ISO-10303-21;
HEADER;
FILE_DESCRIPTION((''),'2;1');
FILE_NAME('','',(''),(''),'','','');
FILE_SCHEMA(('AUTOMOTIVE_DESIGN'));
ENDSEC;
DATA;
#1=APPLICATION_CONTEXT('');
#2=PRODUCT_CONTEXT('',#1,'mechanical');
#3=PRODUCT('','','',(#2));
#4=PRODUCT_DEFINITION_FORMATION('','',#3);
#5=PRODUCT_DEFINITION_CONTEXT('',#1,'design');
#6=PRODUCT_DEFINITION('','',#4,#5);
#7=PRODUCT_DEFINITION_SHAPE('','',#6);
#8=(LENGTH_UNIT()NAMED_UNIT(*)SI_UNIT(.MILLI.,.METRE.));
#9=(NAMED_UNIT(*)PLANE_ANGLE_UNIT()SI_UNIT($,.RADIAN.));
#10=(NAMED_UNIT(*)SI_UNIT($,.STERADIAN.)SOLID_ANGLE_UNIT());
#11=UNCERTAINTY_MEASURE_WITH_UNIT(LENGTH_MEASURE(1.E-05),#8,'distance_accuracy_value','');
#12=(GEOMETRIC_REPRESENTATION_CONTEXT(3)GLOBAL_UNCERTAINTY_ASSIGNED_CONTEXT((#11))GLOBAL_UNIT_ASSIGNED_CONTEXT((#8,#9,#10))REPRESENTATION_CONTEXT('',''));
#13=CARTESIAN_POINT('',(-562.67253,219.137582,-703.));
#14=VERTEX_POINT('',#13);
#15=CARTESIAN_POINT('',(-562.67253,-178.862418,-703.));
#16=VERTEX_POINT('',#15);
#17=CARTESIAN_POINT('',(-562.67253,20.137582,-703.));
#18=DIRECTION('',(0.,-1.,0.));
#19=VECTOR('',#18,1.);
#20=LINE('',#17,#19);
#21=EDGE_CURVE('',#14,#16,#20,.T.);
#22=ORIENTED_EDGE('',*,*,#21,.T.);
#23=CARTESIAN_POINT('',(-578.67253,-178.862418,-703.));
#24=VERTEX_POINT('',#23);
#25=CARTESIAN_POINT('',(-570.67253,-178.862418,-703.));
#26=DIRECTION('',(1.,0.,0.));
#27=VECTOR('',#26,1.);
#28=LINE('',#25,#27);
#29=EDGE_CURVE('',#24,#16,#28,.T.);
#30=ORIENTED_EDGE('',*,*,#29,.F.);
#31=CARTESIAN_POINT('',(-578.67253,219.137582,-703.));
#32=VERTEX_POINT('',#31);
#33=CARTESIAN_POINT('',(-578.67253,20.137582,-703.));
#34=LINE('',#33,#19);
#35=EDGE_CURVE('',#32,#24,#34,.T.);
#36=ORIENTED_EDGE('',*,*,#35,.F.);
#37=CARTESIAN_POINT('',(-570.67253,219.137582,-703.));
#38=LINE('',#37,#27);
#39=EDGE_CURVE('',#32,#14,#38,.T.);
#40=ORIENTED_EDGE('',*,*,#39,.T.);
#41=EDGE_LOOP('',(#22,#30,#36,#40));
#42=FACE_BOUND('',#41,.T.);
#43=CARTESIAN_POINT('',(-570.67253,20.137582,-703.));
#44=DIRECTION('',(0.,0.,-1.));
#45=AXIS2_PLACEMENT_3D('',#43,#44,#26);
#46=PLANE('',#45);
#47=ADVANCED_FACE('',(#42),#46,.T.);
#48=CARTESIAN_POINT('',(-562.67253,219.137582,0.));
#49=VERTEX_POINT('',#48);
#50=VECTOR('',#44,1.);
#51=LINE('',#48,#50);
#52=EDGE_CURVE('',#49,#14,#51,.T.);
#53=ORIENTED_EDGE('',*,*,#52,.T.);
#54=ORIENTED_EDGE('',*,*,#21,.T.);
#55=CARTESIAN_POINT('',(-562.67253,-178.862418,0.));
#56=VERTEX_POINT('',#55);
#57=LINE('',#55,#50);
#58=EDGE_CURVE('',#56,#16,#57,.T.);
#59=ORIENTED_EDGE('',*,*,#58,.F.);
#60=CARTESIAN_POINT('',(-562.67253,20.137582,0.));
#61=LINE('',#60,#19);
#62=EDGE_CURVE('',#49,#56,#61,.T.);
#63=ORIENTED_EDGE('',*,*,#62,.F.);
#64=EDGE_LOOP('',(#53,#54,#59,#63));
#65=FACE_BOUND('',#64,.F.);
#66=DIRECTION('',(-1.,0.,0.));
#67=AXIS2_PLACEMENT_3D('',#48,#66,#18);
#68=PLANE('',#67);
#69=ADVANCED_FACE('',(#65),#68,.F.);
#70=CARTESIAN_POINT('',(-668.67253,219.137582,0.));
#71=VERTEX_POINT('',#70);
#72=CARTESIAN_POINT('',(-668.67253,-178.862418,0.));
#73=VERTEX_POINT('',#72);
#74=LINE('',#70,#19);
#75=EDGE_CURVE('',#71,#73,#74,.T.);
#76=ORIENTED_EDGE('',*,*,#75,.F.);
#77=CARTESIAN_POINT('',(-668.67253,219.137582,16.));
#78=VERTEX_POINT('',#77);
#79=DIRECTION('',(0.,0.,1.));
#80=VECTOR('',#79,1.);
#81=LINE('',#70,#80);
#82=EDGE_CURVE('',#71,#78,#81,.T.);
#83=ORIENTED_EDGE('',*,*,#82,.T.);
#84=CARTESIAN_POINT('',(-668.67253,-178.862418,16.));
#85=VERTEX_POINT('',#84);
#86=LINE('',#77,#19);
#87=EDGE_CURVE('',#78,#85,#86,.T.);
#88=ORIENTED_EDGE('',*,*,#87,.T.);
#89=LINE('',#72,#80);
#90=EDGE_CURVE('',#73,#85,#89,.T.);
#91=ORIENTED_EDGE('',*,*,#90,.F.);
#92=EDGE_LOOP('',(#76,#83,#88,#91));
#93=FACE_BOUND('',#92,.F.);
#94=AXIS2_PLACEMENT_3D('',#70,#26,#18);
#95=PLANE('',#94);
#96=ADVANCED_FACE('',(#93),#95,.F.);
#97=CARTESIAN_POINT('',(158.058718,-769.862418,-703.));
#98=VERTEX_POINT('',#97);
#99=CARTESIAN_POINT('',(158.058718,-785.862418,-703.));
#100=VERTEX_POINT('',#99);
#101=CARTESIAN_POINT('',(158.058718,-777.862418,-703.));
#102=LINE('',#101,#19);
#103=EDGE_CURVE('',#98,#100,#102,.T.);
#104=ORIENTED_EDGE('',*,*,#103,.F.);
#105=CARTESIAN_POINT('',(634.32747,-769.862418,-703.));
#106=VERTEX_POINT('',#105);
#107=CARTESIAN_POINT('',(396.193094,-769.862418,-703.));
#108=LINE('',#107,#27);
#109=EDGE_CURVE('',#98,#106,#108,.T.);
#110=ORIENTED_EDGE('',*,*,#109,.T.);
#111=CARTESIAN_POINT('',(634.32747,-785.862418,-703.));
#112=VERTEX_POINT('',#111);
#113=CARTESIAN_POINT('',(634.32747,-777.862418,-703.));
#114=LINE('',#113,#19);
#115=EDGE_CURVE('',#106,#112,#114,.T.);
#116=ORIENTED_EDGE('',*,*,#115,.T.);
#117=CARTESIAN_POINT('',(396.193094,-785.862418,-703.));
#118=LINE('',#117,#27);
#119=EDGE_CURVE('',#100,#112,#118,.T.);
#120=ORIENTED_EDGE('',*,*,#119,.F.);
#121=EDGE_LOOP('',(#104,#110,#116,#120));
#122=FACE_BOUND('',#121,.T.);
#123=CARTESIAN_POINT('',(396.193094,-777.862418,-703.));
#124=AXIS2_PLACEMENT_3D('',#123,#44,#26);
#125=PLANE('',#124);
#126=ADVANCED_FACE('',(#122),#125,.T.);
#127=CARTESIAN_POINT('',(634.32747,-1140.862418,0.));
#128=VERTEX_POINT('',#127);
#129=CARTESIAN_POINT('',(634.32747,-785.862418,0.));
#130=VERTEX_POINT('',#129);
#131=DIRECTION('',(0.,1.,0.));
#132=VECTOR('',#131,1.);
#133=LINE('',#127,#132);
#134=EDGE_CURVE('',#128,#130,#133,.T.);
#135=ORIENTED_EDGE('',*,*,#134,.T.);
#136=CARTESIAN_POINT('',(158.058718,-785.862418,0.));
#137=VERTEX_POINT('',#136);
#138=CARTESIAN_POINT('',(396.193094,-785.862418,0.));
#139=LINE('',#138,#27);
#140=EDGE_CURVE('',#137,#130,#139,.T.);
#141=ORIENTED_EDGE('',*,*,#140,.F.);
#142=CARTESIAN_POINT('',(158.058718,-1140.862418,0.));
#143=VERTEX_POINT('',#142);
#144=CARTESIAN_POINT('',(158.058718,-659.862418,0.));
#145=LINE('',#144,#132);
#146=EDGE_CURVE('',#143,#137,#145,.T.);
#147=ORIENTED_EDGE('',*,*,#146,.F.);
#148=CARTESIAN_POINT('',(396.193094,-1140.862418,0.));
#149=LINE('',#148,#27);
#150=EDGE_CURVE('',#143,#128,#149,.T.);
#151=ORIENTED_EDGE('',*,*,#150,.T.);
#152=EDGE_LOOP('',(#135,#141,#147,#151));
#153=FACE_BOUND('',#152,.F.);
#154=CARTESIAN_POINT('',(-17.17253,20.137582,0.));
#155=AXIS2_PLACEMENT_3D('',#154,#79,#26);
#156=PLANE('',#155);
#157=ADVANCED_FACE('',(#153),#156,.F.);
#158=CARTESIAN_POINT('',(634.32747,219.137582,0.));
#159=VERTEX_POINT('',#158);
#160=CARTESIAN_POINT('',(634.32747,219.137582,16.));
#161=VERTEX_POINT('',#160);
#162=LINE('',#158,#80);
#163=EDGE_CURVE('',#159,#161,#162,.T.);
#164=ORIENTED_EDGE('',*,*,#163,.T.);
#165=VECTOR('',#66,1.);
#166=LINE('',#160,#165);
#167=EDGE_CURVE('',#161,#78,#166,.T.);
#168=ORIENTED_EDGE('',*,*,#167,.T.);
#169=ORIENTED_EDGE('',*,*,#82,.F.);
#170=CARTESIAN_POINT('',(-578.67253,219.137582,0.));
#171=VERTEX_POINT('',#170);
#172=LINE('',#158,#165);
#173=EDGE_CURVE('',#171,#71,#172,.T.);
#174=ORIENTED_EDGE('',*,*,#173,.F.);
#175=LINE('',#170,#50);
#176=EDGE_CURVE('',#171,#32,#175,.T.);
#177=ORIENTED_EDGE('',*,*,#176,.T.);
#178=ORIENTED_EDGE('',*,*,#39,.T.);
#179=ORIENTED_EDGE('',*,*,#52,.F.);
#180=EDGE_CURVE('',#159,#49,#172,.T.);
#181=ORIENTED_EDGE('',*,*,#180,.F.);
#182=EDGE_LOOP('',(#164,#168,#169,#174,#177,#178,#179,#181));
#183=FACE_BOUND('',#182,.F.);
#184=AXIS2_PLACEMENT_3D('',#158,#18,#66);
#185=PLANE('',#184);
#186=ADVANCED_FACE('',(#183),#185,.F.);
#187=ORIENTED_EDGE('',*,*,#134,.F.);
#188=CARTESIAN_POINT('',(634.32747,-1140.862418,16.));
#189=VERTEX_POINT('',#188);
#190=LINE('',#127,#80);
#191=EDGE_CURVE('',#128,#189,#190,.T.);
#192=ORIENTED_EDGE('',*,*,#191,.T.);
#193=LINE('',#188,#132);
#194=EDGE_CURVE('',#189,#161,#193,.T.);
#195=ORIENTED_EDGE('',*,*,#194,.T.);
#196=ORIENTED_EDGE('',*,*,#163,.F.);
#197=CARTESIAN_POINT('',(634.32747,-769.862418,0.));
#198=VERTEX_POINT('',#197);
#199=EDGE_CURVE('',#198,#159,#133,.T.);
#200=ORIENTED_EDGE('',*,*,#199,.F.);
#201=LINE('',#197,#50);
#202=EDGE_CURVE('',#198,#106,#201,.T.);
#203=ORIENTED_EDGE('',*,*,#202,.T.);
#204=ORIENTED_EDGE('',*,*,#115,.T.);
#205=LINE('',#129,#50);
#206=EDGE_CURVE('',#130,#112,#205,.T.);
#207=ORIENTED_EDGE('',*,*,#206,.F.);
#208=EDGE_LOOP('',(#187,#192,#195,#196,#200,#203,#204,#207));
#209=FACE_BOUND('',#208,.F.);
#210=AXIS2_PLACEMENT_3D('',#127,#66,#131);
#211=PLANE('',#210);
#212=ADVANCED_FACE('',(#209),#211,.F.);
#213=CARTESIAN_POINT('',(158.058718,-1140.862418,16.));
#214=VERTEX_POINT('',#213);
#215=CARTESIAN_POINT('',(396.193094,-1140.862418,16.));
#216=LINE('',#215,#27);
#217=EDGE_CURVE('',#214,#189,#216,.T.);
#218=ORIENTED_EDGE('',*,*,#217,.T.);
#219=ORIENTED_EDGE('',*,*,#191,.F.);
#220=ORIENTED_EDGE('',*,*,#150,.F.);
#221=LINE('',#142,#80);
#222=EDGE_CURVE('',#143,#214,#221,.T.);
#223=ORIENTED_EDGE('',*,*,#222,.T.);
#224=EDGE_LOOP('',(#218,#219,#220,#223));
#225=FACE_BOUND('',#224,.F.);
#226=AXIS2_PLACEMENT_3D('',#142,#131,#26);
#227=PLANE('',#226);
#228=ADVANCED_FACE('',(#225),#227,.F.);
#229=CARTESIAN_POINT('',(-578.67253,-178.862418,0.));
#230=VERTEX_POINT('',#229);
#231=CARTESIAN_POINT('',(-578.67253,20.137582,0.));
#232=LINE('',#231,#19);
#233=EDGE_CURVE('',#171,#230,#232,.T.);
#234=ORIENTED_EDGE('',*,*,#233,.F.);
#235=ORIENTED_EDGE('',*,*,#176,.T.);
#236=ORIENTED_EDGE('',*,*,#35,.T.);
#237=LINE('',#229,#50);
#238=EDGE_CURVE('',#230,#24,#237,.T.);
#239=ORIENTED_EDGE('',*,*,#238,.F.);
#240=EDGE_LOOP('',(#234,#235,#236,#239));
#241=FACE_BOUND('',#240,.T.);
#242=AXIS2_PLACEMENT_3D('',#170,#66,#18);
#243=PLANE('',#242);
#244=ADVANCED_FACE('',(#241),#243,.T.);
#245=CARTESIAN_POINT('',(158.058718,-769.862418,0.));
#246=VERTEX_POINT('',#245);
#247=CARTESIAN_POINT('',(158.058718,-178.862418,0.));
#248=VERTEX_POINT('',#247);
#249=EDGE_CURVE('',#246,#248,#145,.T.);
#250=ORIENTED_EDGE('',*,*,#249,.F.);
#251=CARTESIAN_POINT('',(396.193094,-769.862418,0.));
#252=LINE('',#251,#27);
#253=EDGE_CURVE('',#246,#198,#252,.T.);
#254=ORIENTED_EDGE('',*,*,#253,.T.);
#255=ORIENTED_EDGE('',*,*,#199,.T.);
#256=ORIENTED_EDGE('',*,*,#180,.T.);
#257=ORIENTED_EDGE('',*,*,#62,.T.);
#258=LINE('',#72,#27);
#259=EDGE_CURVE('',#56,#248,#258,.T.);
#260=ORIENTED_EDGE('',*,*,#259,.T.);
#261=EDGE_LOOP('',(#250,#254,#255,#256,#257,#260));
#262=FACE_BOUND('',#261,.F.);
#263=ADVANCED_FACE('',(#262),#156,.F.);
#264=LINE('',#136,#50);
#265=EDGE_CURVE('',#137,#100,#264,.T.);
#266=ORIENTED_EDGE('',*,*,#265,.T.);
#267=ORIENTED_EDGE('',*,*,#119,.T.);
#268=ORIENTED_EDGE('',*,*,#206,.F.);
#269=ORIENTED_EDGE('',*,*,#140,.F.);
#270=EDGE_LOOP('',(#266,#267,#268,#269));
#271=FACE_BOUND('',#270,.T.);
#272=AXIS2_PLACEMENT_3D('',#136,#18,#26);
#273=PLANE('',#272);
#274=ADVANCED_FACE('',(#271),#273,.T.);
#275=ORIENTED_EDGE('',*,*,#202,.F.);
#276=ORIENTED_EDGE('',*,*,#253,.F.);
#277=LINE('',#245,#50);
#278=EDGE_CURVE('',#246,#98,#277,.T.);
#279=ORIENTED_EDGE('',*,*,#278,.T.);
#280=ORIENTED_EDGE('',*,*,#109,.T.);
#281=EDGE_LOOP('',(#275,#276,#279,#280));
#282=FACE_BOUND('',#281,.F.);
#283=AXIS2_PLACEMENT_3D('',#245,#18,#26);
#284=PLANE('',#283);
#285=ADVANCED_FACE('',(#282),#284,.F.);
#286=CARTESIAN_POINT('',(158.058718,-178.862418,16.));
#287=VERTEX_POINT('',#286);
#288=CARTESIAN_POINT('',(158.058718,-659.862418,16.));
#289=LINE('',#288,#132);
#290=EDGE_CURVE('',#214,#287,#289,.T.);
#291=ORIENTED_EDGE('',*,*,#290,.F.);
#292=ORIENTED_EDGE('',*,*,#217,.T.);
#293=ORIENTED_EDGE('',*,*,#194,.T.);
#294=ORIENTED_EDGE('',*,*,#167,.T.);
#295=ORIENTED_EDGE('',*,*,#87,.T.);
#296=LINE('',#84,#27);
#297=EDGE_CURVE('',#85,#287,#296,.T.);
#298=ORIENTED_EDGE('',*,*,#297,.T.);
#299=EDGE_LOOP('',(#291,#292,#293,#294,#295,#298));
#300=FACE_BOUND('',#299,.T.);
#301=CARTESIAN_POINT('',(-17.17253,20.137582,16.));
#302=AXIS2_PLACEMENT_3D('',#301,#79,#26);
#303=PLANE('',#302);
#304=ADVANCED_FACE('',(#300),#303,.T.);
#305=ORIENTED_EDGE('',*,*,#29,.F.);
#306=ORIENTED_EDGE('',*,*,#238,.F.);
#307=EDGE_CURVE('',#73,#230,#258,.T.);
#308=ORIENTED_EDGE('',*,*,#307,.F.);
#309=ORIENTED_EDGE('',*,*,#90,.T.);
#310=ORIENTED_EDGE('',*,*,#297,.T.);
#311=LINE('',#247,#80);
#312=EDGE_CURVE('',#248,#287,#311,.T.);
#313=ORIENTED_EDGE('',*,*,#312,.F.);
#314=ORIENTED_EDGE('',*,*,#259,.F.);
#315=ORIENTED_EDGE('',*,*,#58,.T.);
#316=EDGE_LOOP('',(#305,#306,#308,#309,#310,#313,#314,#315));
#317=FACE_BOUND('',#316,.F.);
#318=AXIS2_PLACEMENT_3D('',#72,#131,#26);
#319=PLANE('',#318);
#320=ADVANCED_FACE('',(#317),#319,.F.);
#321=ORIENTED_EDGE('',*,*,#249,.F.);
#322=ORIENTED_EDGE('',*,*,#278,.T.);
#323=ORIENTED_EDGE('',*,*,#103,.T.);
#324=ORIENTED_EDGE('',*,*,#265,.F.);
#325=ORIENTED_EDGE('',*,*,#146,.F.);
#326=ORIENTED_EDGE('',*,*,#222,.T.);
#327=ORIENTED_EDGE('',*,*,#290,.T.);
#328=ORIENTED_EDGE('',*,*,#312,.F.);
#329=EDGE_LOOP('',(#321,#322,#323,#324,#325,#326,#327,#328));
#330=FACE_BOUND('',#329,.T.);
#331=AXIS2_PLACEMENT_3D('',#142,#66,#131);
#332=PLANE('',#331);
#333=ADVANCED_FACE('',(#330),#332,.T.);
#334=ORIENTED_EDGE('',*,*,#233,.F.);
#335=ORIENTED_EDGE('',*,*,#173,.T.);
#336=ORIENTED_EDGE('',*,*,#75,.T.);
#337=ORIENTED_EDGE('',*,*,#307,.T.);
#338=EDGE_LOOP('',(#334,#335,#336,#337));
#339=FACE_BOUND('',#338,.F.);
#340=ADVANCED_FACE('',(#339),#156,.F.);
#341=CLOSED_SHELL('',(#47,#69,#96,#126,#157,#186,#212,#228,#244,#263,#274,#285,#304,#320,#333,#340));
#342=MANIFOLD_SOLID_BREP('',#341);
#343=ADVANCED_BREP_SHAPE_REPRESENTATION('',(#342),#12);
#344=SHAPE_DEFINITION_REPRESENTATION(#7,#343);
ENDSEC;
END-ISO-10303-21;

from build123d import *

# Parameters (mm, degrees)
F0_W     = 476.268752
F0_H     = 962
F1_DEPTH = 16
F2_W     = 476.268752
F2_H     = 16
F2_W_2   = 16
F2_H_2   = 398
F3_DEPTH = 703


with BuildPart() as f1:
    # F0 (on Top) → F1 (new body)
    with BuildSketch(Plane.XY):
        Polygon((634.32747, 219.137582), (-668.67253, 219.137582), (-668.67253, -178.862418), (158.058718, -178.862418), (634.32747, -178.862418), align=None)
        with Locations((396.193094, -659.862418)):
            Rectangle(F0_W, F0_H)
    extrude(amount=F1_DEPTH)

    # F2 (on face) → F3 (join)
    with BuildSketch(Plane(origin=(0, 0, 0), x_dir=(1, 0, 0), z_dir=(0, 0, -1))):
        with Locations((396.193094, 777.862418)):
            Rectangle(F2_W, F2_H)
        with Locations((-570.67253, -20.137582)):
            Rectangle(F2_W_2, F2_H_2)
    extrude(amount=F3_DEPTH)


solid = f1.part
